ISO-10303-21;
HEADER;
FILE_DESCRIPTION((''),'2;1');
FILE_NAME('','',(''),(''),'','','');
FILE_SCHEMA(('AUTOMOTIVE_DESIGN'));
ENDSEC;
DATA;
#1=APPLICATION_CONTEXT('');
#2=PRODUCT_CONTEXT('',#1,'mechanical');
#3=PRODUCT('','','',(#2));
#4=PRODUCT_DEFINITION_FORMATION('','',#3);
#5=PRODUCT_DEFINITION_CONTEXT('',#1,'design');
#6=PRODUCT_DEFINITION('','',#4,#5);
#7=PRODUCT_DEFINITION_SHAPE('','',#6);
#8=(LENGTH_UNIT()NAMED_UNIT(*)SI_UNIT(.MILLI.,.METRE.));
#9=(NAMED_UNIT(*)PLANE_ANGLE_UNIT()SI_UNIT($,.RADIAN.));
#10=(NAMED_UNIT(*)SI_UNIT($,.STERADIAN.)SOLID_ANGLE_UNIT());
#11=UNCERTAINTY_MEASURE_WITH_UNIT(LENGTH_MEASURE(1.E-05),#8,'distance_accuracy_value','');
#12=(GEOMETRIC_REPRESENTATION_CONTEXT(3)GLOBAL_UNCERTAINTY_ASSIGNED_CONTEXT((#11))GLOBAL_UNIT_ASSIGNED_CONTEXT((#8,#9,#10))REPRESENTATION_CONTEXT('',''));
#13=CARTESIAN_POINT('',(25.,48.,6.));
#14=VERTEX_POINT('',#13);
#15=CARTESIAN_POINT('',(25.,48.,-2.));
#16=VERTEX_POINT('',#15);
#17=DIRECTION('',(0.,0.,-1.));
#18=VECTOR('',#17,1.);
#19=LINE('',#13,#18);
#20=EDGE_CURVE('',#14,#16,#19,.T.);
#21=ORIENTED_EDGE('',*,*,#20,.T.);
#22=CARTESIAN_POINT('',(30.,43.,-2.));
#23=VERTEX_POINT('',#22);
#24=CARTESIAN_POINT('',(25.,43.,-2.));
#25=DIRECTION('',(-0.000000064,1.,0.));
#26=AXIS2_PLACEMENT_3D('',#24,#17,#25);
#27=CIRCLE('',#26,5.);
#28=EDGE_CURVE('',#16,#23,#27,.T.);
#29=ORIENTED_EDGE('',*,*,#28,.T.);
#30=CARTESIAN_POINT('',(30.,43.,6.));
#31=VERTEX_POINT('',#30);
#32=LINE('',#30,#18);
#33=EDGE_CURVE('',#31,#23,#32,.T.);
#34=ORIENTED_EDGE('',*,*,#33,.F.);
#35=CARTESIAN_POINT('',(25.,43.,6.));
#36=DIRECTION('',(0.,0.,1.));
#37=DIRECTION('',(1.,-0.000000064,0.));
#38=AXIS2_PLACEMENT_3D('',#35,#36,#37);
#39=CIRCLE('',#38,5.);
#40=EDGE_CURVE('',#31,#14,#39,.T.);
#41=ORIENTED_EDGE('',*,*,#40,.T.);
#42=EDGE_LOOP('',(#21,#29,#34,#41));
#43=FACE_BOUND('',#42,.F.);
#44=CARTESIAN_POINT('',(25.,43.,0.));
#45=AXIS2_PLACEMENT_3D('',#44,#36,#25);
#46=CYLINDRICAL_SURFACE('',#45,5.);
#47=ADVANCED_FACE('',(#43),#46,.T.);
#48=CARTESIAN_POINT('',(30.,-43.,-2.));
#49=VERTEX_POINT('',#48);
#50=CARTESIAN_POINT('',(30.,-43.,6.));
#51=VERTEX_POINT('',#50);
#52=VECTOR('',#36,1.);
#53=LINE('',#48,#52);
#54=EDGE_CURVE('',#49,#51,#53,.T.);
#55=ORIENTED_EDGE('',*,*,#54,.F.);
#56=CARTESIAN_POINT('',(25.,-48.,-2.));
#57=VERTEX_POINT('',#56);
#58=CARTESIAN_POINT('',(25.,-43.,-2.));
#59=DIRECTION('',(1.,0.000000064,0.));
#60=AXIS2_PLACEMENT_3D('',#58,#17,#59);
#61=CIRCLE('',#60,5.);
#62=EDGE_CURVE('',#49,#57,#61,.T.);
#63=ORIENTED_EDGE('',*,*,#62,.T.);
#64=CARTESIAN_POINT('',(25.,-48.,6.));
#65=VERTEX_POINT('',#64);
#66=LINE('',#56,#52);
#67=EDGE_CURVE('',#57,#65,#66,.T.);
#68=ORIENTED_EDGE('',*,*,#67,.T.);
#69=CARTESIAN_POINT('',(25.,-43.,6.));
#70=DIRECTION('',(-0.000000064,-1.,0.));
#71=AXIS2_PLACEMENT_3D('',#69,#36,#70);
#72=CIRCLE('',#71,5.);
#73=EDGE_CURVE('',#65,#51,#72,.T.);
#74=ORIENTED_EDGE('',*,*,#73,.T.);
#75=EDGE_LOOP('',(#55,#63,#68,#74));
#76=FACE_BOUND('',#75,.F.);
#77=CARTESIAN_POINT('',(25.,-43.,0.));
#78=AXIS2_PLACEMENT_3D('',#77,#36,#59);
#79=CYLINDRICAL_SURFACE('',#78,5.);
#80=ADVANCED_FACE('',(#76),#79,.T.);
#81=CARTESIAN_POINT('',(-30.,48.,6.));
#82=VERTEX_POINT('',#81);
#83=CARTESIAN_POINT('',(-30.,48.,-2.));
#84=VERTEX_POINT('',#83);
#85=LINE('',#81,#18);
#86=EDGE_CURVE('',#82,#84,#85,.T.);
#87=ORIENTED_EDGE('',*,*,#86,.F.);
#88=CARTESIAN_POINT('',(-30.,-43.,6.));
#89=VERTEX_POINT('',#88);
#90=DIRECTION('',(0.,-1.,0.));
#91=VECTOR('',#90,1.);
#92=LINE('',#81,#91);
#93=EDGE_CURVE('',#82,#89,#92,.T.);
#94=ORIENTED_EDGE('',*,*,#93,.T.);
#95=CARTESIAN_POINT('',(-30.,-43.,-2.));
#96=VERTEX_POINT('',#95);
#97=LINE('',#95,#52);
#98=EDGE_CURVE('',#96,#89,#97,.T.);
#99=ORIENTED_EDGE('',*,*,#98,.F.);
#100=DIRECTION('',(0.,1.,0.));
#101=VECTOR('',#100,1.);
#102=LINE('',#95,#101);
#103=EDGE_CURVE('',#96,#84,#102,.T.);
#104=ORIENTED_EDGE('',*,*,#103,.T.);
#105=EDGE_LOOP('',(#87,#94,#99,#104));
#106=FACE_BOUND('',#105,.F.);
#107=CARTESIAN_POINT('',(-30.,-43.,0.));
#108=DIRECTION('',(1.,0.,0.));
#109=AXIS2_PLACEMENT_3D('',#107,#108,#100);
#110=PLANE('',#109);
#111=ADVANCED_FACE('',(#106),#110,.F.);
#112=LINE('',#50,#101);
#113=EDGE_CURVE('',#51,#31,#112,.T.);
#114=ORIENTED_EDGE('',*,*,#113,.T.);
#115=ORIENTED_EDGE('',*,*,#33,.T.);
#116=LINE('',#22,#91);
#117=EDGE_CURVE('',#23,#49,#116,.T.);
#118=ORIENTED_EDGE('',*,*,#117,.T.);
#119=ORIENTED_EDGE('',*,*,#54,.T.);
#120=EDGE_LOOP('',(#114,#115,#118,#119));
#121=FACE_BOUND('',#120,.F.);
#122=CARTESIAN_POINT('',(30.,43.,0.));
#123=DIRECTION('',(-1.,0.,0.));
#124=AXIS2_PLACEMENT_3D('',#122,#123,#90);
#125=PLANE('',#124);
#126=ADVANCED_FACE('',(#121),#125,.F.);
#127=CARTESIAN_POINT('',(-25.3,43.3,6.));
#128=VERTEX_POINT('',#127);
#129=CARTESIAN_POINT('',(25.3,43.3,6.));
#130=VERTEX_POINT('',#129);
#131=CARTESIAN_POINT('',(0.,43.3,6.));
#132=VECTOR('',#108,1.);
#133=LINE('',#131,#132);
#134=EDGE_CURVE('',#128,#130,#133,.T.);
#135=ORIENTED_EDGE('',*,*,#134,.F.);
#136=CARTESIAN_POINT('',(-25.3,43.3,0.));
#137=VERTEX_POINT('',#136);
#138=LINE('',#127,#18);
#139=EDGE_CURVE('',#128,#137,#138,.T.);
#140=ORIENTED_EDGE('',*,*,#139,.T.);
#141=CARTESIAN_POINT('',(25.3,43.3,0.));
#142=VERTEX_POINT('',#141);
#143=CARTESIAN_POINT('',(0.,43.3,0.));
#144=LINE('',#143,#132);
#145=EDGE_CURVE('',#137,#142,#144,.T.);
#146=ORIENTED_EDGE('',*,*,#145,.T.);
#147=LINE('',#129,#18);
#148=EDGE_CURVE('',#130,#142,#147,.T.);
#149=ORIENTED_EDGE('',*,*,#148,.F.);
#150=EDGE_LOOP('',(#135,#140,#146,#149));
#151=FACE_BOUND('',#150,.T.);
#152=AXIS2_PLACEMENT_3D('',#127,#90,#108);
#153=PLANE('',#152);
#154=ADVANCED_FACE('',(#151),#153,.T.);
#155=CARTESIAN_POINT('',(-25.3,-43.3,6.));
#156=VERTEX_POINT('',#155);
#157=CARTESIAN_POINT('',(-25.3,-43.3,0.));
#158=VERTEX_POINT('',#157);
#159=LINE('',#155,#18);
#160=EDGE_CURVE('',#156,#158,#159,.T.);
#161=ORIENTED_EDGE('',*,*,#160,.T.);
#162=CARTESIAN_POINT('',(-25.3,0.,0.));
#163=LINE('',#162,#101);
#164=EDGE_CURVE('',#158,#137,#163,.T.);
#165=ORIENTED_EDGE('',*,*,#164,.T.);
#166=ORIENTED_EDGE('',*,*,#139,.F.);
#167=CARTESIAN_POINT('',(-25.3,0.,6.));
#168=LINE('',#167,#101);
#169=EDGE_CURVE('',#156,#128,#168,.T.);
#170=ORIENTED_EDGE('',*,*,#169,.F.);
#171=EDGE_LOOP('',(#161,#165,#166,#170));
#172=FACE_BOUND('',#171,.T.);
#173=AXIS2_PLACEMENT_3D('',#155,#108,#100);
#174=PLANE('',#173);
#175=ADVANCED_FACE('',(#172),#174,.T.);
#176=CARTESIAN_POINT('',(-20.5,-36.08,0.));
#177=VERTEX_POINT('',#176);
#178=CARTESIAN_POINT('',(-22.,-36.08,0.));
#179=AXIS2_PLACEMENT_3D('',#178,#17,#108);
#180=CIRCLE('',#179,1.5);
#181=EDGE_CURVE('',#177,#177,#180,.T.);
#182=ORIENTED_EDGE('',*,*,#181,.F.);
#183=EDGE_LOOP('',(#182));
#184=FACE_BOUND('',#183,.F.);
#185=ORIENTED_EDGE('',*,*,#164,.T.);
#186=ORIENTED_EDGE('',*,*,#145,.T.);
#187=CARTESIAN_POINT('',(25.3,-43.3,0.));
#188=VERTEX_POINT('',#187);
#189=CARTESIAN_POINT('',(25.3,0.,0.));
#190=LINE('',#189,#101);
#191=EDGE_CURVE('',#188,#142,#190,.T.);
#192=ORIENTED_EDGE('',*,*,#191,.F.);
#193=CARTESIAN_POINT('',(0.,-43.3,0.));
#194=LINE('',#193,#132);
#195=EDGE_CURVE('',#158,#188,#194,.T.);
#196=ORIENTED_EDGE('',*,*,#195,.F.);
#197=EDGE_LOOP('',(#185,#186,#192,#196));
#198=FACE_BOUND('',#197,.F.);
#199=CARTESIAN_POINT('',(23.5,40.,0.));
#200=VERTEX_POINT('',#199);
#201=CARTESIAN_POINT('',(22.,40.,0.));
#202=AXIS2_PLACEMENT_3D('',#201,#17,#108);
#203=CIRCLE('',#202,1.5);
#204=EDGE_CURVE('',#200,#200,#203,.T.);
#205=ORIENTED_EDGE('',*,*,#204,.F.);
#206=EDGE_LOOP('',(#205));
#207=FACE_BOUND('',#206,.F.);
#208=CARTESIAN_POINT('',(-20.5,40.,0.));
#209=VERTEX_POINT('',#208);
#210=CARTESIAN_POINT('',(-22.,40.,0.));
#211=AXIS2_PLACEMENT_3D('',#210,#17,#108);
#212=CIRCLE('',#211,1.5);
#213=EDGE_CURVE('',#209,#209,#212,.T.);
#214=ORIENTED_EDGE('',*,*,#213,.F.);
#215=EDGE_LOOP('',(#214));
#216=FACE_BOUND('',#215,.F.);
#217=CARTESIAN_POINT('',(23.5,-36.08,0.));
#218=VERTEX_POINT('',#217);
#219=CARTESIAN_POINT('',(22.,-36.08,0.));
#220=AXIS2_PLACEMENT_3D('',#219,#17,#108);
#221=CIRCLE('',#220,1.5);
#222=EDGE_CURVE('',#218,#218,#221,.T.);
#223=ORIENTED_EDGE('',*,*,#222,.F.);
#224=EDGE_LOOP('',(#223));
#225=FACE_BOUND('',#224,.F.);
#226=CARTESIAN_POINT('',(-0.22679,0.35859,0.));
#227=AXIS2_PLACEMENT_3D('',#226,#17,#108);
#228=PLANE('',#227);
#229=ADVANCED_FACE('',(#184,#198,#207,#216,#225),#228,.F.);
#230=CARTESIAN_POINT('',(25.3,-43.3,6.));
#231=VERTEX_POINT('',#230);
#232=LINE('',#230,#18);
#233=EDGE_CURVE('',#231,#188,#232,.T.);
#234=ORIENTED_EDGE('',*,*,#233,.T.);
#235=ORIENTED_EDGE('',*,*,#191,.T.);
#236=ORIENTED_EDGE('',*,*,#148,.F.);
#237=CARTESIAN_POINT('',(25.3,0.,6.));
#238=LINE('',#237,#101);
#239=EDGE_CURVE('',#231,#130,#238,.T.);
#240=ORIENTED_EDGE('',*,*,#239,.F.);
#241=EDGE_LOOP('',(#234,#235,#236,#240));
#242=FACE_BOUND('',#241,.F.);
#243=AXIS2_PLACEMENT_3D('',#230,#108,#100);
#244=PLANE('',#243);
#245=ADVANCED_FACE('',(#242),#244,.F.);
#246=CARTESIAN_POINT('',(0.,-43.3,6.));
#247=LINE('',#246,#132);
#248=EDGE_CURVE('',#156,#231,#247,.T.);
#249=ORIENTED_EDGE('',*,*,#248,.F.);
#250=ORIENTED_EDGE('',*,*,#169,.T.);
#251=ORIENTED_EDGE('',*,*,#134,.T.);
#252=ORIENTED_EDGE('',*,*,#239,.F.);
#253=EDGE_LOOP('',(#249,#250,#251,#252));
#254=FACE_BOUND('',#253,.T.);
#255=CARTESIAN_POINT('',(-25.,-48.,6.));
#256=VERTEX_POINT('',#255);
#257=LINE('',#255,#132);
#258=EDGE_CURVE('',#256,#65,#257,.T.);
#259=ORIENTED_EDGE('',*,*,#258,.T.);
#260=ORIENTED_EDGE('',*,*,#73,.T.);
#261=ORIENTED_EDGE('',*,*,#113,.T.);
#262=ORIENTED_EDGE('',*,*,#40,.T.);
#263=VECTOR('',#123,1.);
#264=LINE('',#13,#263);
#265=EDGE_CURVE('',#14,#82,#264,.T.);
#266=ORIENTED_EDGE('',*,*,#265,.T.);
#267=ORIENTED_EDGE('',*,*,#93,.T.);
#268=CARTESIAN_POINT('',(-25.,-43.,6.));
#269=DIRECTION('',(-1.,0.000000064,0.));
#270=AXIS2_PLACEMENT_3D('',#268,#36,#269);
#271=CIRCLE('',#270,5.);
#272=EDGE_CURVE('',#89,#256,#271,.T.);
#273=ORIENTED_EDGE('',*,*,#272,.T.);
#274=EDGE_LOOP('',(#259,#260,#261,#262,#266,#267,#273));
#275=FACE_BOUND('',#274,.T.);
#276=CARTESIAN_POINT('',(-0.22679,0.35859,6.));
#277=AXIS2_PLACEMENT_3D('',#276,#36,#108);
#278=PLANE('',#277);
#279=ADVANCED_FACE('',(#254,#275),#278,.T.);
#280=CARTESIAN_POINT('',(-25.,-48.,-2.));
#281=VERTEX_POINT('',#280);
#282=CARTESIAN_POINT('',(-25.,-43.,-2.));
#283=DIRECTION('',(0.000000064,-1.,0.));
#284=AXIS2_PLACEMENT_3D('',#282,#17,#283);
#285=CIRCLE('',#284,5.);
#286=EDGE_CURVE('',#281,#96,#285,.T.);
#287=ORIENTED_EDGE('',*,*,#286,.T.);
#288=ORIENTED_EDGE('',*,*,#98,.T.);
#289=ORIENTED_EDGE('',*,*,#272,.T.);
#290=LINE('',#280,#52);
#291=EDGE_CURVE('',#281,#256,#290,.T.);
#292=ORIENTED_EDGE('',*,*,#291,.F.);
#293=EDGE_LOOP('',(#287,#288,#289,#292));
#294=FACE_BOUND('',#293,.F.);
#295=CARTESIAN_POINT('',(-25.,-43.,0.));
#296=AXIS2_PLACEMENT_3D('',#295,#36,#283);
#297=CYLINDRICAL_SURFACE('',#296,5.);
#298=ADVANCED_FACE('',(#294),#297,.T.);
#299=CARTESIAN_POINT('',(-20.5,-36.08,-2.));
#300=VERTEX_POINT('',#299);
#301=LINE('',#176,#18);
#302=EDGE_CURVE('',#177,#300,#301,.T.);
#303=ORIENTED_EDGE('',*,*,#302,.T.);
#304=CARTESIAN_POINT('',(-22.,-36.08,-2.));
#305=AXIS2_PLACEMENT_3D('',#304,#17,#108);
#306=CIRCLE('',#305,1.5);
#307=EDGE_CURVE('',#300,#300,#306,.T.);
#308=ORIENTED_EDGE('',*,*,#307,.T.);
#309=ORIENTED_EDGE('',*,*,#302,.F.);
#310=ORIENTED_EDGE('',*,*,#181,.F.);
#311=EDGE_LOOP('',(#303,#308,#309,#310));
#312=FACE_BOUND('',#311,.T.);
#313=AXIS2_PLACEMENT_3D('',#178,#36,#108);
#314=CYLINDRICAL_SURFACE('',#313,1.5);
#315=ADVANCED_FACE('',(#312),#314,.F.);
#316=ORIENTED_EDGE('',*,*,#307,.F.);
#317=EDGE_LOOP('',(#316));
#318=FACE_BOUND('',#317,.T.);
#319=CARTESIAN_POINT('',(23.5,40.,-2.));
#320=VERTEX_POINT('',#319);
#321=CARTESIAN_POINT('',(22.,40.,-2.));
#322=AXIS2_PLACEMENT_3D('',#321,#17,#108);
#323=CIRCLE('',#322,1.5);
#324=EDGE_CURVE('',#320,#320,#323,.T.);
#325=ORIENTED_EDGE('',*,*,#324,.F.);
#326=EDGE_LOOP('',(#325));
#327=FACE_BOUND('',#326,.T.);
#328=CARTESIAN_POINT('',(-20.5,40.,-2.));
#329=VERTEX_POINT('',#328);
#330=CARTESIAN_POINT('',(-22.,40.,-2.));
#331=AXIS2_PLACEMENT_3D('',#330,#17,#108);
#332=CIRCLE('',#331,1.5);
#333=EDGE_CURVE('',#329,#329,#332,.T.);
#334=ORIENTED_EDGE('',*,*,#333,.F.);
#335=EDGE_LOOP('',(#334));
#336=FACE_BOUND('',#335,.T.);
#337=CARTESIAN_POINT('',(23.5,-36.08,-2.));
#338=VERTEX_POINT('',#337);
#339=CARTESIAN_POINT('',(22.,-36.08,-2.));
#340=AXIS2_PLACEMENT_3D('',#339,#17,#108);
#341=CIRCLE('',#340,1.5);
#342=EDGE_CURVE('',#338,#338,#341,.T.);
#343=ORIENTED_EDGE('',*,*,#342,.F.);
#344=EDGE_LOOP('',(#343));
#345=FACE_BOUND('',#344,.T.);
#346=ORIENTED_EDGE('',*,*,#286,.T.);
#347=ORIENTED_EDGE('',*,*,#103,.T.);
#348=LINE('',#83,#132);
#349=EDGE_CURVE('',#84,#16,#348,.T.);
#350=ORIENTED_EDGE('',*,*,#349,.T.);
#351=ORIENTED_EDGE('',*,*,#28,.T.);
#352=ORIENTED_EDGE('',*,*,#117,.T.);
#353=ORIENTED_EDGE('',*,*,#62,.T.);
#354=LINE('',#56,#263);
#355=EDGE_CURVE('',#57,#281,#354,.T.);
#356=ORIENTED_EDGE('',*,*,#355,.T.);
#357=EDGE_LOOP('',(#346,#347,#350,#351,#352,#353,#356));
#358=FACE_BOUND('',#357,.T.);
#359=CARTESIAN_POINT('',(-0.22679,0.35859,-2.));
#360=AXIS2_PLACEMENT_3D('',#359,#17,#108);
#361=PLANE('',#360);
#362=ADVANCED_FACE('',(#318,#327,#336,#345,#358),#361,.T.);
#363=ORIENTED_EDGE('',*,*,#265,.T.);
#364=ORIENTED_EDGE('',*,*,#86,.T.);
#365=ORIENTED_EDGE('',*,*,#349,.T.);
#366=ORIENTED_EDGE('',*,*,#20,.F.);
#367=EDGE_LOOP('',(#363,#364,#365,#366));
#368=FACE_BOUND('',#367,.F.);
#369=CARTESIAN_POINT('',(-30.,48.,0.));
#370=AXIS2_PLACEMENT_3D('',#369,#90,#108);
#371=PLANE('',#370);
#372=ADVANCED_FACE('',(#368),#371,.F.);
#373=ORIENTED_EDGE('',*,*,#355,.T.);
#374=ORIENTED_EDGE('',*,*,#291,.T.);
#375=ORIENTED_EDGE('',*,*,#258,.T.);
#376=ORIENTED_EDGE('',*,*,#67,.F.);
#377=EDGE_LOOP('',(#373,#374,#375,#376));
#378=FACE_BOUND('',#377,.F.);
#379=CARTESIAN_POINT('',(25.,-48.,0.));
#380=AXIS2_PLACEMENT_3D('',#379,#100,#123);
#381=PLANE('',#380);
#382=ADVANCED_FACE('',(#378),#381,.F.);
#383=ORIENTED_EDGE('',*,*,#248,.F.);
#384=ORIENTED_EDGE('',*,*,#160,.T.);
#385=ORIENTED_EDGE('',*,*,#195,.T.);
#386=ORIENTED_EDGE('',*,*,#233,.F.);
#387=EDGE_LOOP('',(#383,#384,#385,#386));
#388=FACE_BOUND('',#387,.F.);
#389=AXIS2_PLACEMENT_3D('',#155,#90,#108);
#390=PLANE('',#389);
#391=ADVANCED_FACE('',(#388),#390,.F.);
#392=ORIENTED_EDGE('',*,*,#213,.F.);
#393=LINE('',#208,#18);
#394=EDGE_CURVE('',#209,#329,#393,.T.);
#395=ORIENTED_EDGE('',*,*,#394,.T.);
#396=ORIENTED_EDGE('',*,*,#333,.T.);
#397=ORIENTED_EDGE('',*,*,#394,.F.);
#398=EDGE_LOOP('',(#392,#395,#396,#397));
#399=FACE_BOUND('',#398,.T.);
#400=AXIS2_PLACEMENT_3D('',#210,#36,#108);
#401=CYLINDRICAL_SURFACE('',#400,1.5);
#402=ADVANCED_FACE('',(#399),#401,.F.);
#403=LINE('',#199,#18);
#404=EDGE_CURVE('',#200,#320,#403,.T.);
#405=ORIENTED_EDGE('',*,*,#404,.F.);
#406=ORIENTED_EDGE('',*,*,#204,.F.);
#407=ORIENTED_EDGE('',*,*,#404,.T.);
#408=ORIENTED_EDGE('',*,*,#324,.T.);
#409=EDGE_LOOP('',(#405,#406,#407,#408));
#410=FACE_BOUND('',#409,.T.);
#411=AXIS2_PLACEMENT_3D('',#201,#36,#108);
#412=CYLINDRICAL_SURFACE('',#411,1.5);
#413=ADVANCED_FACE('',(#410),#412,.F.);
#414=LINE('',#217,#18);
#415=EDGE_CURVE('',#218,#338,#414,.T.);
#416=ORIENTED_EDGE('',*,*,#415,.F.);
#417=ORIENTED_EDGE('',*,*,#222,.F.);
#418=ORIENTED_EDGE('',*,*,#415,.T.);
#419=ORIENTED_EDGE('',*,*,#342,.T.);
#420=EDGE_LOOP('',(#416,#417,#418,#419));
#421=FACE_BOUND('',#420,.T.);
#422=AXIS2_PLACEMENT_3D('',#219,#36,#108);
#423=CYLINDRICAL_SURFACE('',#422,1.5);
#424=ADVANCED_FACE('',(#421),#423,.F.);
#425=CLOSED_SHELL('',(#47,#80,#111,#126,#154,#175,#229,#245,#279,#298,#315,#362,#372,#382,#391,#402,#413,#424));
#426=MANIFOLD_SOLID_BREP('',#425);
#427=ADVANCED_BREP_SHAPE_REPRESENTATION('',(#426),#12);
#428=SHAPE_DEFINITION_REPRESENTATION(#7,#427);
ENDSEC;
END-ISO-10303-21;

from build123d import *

# Parameters (mm, degrees)
F0_R     = 1.5
F1_DEPTH = 6
F2_W     = 50.6
F2_H     = 86.6
F2_R     = 1.5
F3_DEPTH = 6
F4_R     = 1.5
F5_DEPTH = 2


with BuildPart() as f1:
    # F0 (on Top) → F1 (new body)
    with BuildSketch(Plane.XY):
        with BuildLine():
            Line((-25, -48), (25, -48))
            ThreePointArc((25, -48), (28.535534, -46.535534), (30, -43))
            Line((30, -43), (30, 43))
            ThreePointArc((30, 43), (28.535534, 46.535534), (25, 48))
            Line((25, 48), (-27, 48))
            Line((-27, 48), (-30, 48))
            Line((-30, 48), (-30, 43))
            Line((-30, 43), (-30, -43))
            ThreePointArc((-30, -43), (-28.535534, -46.535534), (-25, -48))
        make_face()
        with Locations((-22, -36.08)):
            Circle(F0_R, mode=Mode.SUBTRACT)
        with Locations((22, -36.08)):
            Circle(F0_R, mode=Mode.SUBTRACT)
        with Locations((-22, 40)):
            Circle(F0_R, mode=Mode.SUBTRACT)
        with Locations((22, 40)):
            Circle(F0_R, mode=Mode.SUBTRACT)
    extrude(amount=F1_DEPTH)

    # F2 (on face) → F3 (cut)
    with BuildSketch(Plane.XY.offset(6)):
        Rectangle(F2_W, F2_H)
        with Locations((-22, -36.08)):
            Circle(F2_R, mode=Mode.SUBTRACT)
        with Locations((22, -36.08)):
            Circle(F2_R, mode=Mode.SUBTRACT)
        with Locations((-22, 40)):
            Circle(F2_R, mode=Mode.SUBTRACT)
        with Locations((22, 40)):
            Circle(F2_R, mode=Mode.SUBTRACT)
    extrude(amount=-F3_DEPTH, mode=Mode.SUBTRACT)

    # F4 (on face) → F5 (join)
    with BuildSketch(Plane(origin=(0, 0, 0), x_dir=(1, 0, 0), z_dir=(0, 0, -1))):
        with BuildLine():
            Line((-30, 43), (-30, -48))
            Line((-30, -48), (25, -48))
            ThreePointArc((25, -48), (28.535534, -46.535534), (30, -43))
            Line((30, -43), (30, 43))
            ThreePointArc((30, 43), (28.535534, 46.535534), (25, 48))
            Line((25, 48), (-25, 48))
            ThreePointArc((-25, 48), (-28.535534, 46.535534), (-30, 43))
        make_face()
        with Locations((-22, -40)):
            Circle(F4_R, mode=Mode.SUBTRACT)
        with Locations((22, -40)):
            Circle(F4_R, mode=Mode.SUBTRACT)
        with Locations((-22, 36.08)):
            Circle(F4_R, mode=Mode.SUBTRACT)
        with Locations((22, 36.08)):
            Circle(F4_R, mode=Mode.SUBTRACT)
    extrude(amount=F5_DEPTH)


solid = f1.part
